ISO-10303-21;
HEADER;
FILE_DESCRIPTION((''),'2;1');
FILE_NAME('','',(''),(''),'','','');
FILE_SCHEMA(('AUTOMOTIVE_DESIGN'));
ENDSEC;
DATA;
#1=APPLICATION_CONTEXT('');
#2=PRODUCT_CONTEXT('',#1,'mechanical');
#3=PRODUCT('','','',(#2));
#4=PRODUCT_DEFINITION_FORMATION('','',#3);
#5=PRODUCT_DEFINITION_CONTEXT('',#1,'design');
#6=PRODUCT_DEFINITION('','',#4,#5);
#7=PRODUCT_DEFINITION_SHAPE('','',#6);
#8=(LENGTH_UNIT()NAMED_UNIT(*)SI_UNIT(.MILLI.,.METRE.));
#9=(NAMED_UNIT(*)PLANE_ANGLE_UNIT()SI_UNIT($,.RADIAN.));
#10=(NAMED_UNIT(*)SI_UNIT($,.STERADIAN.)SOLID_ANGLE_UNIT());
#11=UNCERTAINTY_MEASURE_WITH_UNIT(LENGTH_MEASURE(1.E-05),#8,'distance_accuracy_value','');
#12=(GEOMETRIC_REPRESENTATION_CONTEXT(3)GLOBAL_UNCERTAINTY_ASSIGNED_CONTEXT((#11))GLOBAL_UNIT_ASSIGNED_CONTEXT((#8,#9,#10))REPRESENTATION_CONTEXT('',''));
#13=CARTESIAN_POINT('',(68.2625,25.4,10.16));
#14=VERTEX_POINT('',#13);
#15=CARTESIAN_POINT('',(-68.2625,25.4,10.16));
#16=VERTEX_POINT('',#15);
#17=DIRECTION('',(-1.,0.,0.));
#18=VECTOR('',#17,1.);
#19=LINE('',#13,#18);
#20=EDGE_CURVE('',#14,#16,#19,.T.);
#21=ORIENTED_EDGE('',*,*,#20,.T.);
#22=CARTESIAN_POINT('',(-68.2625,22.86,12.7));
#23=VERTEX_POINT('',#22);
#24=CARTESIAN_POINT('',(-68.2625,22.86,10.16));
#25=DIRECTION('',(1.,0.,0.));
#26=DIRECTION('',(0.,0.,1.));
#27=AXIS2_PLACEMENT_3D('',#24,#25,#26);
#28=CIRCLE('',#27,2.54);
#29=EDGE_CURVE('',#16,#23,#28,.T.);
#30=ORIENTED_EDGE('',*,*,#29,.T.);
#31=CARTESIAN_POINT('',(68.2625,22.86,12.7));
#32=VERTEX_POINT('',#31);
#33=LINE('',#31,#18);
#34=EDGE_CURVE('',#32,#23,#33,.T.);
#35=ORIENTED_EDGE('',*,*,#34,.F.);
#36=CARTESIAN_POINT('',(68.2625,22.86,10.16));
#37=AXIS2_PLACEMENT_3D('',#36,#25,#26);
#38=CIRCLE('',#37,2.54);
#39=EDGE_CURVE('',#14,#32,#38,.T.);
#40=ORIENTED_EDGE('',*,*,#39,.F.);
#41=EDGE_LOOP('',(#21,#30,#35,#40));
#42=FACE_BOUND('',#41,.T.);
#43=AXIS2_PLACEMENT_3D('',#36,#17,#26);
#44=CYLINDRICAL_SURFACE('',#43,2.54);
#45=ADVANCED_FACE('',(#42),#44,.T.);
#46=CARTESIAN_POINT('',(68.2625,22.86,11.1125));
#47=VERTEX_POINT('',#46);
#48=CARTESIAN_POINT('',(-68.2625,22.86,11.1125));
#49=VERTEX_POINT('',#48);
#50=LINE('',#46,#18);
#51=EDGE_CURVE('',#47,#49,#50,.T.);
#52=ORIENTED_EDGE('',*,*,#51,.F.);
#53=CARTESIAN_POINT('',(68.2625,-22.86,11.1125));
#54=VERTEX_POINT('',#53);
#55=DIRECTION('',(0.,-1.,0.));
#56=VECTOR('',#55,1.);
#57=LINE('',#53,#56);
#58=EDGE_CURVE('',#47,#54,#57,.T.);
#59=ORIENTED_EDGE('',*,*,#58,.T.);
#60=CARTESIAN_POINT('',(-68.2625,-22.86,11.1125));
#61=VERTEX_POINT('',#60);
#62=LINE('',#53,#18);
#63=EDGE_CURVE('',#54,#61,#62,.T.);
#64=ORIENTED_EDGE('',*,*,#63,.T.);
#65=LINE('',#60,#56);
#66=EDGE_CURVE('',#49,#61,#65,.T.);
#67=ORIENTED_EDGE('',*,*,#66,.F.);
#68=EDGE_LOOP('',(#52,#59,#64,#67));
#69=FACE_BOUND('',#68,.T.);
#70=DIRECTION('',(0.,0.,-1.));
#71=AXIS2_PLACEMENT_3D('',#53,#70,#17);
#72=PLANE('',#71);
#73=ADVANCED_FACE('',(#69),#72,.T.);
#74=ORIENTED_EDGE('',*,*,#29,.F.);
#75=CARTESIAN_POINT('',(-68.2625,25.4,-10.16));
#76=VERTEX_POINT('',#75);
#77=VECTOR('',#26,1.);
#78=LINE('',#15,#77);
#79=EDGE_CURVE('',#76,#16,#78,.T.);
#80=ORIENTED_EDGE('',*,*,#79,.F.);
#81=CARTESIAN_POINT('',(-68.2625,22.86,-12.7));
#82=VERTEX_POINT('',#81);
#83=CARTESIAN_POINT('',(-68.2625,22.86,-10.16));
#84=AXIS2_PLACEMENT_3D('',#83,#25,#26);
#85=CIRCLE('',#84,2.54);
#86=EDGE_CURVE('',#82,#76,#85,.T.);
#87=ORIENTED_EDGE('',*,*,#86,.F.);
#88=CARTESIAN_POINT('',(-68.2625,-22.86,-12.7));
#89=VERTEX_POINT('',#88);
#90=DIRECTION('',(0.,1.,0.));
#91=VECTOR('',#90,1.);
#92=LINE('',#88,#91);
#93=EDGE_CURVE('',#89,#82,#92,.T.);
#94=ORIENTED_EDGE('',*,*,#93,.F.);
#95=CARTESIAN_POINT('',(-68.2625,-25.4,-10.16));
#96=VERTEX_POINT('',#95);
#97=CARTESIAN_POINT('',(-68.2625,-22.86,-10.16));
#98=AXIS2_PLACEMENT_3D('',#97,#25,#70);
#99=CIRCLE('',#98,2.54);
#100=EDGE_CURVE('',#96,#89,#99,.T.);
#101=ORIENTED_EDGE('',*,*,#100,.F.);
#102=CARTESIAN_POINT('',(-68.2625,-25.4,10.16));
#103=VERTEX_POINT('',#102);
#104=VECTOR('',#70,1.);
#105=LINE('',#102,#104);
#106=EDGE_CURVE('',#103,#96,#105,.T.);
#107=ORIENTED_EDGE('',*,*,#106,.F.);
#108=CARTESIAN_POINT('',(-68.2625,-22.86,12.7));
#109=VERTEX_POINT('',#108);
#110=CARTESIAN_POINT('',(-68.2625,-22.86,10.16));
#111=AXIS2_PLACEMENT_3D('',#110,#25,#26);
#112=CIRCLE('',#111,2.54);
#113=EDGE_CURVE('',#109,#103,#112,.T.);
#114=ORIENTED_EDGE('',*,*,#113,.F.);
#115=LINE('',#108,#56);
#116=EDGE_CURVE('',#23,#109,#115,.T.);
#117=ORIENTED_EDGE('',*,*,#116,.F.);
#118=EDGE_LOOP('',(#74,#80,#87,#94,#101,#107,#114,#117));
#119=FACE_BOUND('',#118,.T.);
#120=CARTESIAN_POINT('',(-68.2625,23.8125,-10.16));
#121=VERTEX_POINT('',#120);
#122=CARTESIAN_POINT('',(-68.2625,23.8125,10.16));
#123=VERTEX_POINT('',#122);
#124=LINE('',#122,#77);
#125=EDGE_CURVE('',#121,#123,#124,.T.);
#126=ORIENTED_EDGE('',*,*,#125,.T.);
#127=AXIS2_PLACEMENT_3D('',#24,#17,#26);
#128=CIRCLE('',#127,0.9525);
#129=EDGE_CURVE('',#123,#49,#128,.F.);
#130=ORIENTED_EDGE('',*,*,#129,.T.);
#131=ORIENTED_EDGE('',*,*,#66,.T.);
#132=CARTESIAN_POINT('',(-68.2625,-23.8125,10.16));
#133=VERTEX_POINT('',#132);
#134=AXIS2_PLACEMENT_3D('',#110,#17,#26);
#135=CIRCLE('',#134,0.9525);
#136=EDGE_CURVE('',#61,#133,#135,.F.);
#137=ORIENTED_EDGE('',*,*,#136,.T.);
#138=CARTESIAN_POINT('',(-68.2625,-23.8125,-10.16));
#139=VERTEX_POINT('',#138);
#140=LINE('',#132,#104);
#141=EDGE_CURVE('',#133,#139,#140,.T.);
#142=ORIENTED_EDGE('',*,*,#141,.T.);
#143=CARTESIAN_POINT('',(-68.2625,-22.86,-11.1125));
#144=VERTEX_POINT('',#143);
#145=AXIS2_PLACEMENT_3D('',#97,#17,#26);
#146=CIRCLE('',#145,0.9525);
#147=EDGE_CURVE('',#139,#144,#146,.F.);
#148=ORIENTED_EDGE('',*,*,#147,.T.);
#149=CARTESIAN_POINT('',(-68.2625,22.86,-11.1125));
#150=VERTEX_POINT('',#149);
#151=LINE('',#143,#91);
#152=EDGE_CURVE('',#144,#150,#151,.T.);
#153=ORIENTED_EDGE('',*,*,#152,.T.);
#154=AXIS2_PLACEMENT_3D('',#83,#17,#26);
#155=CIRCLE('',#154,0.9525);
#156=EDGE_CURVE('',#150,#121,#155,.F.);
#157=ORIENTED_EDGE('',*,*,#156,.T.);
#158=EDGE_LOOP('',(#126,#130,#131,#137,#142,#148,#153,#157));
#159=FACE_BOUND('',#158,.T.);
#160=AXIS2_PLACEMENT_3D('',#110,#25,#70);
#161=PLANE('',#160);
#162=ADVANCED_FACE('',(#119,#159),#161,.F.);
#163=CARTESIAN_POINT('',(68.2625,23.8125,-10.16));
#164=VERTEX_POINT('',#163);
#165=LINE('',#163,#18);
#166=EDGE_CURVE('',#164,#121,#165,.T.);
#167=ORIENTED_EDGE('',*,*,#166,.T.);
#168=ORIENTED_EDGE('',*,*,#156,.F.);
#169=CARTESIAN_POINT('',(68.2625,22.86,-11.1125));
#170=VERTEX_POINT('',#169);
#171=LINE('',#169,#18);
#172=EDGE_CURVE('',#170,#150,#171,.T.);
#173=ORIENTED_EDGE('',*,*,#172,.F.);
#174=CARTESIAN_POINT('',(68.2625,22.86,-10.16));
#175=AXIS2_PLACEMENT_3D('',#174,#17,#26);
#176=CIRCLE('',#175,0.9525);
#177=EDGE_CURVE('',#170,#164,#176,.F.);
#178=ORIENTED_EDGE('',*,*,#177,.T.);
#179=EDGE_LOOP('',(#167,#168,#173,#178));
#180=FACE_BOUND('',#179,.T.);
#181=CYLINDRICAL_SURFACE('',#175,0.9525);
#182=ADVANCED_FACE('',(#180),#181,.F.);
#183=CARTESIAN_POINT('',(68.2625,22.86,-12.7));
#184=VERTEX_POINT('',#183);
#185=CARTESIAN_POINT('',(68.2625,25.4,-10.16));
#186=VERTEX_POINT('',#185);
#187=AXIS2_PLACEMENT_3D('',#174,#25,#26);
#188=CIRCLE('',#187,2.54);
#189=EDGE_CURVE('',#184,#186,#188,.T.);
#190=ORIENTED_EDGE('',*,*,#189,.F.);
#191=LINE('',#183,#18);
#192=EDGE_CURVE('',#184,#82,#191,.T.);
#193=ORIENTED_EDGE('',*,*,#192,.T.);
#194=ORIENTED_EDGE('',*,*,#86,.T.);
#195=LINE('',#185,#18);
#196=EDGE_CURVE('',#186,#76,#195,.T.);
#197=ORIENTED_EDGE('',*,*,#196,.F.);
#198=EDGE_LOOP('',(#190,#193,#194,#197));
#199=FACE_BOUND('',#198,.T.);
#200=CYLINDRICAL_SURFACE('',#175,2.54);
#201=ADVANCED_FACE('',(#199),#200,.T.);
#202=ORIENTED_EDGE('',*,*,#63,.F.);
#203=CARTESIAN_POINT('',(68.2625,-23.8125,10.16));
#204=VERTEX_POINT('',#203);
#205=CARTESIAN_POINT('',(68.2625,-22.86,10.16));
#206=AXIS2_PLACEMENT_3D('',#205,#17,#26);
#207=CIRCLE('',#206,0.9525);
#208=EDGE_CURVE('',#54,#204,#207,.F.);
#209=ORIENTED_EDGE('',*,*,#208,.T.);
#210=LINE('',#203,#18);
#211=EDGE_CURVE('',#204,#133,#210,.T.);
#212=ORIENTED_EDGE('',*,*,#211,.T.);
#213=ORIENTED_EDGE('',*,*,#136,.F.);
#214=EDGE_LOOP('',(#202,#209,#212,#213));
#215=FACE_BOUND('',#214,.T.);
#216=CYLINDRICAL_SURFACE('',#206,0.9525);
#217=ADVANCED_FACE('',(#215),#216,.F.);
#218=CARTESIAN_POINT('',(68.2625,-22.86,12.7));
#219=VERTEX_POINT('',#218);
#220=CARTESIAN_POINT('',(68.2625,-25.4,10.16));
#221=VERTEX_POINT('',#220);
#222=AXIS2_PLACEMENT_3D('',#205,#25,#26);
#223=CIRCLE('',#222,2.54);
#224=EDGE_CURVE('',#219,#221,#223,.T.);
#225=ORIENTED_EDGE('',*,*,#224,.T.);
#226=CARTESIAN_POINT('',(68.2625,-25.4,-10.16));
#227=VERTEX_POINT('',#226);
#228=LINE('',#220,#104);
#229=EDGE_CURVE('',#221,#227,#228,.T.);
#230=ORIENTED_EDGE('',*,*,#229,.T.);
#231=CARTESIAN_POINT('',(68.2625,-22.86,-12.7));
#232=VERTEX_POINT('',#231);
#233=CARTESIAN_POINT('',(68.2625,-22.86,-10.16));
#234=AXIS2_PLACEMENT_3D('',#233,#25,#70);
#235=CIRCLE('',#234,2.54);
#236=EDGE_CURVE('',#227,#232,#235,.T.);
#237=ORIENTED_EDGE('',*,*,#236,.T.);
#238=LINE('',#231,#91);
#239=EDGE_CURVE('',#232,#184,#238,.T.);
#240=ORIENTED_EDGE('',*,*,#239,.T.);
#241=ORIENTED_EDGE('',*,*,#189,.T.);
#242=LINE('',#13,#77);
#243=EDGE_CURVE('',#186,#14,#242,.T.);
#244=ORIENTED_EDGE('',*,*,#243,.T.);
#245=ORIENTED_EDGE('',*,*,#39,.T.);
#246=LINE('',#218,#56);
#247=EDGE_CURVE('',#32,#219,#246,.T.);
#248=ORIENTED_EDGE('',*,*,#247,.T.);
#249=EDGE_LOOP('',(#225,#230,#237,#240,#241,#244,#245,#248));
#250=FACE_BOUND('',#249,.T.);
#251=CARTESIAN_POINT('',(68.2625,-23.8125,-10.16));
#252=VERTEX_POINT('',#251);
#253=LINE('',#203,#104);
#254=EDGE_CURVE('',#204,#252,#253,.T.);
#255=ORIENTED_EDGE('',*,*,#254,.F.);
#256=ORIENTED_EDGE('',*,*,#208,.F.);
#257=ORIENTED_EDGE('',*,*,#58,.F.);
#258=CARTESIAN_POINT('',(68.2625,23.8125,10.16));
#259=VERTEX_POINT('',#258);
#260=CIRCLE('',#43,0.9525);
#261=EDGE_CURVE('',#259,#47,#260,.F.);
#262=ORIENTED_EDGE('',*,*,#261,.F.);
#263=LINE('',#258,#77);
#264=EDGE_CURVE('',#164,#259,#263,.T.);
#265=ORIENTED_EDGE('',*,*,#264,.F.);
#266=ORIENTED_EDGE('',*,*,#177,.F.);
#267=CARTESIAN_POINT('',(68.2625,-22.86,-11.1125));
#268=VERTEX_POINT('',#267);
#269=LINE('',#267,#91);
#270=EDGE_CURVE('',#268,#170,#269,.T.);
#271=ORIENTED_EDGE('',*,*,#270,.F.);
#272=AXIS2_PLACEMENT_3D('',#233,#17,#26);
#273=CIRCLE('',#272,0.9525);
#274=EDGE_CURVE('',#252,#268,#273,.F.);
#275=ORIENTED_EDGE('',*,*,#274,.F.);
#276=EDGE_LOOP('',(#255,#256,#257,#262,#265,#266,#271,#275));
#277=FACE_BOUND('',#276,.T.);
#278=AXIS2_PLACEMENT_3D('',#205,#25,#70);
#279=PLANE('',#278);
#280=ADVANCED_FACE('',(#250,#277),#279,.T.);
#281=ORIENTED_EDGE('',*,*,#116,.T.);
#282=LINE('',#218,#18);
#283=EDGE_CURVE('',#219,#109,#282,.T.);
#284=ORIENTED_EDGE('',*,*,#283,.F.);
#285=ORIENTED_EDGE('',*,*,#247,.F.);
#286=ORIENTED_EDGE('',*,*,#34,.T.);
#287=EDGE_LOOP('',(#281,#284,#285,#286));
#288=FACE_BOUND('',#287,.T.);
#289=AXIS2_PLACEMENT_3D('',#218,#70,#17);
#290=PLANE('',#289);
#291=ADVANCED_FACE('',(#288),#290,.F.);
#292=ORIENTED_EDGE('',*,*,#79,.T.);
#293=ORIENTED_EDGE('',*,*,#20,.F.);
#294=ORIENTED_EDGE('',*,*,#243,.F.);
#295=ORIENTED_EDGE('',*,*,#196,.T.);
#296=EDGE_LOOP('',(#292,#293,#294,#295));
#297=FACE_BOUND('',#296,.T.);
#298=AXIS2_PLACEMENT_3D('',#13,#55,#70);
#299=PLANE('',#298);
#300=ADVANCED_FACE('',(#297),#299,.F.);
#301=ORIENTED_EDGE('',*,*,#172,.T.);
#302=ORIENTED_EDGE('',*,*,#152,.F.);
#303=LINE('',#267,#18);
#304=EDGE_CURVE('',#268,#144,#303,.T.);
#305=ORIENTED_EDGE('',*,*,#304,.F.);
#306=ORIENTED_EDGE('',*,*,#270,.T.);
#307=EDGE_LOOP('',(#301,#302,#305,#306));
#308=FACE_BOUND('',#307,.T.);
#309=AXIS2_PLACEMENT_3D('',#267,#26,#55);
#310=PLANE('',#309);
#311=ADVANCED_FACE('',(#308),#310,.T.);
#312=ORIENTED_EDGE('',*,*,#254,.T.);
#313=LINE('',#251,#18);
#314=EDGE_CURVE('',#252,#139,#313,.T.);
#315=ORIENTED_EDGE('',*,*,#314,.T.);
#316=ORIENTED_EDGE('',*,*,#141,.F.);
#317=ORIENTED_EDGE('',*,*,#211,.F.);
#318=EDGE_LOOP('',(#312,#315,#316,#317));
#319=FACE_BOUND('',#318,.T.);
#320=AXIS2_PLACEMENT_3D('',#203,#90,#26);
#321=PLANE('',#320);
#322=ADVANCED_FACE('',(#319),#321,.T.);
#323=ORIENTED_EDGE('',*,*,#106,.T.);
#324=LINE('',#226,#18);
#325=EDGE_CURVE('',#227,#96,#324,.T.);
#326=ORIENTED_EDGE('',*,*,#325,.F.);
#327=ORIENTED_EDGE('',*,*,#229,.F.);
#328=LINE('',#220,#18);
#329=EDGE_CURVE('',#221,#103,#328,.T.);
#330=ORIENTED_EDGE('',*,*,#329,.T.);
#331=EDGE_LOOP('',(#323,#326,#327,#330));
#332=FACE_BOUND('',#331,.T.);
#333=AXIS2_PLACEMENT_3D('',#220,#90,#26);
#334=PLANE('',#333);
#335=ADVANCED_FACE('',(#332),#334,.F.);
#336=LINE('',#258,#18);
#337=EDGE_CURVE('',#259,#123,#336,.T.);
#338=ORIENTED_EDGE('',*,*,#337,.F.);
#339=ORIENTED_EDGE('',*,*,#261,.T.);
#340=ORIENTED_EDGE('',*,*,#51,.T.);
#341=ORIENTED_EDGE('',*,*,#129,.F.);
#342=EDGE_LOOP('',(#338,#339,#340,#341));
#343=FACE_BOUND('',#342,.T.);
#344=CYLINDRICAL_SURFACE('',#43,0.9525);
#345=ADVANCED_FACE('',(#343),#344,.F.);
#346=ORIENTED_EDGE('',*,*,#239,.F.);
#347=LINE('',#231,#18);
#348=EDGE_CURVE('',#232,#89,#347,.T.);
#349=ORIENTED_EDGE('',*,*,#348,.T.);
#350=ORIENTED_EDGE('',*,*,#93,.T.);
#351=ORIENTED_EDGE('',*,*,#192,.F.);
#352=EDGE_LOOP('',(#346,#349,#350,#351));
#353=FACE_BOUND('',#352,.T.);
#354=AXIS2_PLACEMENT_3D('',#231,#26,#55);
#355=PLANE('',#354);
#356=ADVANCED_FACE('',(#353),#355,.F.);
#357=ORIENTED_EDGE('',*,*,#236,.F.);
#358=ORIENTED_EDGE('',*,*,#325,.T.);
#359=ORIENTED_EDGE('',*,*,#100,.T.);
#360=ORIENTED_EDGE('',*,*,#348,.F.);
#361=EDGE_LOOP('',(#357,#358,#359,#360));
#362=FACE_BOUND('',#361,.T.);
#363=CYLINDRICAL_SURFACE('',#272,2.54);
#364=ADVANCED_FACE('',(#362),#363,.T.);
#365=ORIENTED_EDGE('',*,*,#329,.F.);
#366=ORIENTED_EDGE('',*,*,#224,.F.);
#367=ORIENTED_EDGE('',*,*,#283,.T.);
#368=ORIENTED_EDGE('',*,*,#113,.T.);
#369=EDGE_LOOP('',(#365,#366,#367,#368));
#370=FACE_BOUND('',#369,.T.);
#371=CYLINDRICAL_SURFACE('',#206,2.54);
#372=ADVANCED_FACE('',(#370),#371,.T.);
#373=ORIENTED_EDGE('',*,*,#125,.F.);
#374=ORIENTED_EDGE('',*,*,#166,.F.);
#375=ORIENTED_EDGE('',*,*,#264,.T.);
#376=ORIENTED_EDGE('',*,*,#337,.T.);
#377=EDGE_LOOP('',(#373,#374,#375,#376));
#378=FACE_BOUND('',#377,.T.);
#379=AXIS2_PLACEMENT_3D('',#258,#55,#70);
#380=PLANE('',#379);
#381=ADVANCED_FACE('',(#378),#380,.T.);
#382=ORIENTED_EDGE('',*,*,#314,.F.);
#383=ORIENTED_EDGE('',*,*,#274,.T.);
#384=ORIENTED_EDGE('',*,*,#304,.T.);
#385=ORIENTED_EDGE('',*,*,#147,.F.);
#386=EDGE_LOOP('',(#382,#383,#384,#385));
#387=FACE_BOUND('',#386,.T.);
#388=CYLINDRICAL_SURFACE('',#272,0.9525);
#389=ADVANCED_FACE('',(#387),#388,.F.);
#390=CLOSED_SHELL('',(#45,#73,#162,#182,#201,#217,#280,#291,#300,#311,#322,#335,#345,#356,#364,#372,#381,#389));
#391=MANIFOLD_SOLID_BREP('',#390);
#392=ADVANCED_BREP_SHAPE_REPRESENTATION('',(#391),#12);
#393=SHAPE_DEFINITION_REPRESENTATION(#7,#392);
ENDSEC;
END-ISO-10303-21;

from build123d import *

# Parameters (mm, degrees)
EXTRUDE_THIN1_DEPTH = 68.2625


with BuildPart() as part:
    # Sketch1 → Extrude-Thin1 (new, symmetric)
    with BuildSketch(Plane(origin=(0, 0, 0), x_dir=(0, 0, -1), z_dir=(1, 0, 0))):
        with BuildLine():
            Line((-12.7, 22.86), (-12.7, -22.86))
            ThreePointArc((-12.7, -22.86), (-11.956051224, -24.656051224), (-10.16, -25.4))
            Line((-10.16, -25.4), (10.16, -25.4))
            ThreePointArc((10.16, -25.4), (11.956051224, -24.656051224), (12.7, -22.86))
            Line((12.7, -22.86), (12.7, 22.86))
            ThreePointArc((12.7, 22.86), (11.956051224, 24.656051224), (10.16, 25.4))
            Line((10.16, 25.4), (-10.16, 25.4))
            ThreePointArc((-10.16, 25.4), (-11.956051224, 24.656051224), (-12.7, 22.86))
        make_face()
        with BuildLine():
            Line((-11.1125, 22.86), (-11.1125, -22.86))
            ThreePointArc((-11.1125, -22.86), (-10.833519209, -23.533519209), (-10.16, -23.8125))
            Line((-10.16, -23.8125), (10.16, -23.8125))
            ThreePointArc((10.16, -23.8125), (10.833519209, -23.533519209), (11.1125, -22.86))
            Line((11.1125, -22.86), (11.1125, 22.86))
            ThreePointArc((11.1125, 22.86), (10.833519209, 23.533519209), (10.16, 23.8125))
            Line((10.16, 23.8125), (-10.16, 23.8125))
            ThreePointArc((-10.16, 23.8125), (-10.833519209, 23.533519209), (-11.1125, 22.86))
        make_face(mode=Mode.SUBTRACT)
    extrude(amount=EXTRUDE_THIN1_DEPTH, both=True)


solid = part.part
